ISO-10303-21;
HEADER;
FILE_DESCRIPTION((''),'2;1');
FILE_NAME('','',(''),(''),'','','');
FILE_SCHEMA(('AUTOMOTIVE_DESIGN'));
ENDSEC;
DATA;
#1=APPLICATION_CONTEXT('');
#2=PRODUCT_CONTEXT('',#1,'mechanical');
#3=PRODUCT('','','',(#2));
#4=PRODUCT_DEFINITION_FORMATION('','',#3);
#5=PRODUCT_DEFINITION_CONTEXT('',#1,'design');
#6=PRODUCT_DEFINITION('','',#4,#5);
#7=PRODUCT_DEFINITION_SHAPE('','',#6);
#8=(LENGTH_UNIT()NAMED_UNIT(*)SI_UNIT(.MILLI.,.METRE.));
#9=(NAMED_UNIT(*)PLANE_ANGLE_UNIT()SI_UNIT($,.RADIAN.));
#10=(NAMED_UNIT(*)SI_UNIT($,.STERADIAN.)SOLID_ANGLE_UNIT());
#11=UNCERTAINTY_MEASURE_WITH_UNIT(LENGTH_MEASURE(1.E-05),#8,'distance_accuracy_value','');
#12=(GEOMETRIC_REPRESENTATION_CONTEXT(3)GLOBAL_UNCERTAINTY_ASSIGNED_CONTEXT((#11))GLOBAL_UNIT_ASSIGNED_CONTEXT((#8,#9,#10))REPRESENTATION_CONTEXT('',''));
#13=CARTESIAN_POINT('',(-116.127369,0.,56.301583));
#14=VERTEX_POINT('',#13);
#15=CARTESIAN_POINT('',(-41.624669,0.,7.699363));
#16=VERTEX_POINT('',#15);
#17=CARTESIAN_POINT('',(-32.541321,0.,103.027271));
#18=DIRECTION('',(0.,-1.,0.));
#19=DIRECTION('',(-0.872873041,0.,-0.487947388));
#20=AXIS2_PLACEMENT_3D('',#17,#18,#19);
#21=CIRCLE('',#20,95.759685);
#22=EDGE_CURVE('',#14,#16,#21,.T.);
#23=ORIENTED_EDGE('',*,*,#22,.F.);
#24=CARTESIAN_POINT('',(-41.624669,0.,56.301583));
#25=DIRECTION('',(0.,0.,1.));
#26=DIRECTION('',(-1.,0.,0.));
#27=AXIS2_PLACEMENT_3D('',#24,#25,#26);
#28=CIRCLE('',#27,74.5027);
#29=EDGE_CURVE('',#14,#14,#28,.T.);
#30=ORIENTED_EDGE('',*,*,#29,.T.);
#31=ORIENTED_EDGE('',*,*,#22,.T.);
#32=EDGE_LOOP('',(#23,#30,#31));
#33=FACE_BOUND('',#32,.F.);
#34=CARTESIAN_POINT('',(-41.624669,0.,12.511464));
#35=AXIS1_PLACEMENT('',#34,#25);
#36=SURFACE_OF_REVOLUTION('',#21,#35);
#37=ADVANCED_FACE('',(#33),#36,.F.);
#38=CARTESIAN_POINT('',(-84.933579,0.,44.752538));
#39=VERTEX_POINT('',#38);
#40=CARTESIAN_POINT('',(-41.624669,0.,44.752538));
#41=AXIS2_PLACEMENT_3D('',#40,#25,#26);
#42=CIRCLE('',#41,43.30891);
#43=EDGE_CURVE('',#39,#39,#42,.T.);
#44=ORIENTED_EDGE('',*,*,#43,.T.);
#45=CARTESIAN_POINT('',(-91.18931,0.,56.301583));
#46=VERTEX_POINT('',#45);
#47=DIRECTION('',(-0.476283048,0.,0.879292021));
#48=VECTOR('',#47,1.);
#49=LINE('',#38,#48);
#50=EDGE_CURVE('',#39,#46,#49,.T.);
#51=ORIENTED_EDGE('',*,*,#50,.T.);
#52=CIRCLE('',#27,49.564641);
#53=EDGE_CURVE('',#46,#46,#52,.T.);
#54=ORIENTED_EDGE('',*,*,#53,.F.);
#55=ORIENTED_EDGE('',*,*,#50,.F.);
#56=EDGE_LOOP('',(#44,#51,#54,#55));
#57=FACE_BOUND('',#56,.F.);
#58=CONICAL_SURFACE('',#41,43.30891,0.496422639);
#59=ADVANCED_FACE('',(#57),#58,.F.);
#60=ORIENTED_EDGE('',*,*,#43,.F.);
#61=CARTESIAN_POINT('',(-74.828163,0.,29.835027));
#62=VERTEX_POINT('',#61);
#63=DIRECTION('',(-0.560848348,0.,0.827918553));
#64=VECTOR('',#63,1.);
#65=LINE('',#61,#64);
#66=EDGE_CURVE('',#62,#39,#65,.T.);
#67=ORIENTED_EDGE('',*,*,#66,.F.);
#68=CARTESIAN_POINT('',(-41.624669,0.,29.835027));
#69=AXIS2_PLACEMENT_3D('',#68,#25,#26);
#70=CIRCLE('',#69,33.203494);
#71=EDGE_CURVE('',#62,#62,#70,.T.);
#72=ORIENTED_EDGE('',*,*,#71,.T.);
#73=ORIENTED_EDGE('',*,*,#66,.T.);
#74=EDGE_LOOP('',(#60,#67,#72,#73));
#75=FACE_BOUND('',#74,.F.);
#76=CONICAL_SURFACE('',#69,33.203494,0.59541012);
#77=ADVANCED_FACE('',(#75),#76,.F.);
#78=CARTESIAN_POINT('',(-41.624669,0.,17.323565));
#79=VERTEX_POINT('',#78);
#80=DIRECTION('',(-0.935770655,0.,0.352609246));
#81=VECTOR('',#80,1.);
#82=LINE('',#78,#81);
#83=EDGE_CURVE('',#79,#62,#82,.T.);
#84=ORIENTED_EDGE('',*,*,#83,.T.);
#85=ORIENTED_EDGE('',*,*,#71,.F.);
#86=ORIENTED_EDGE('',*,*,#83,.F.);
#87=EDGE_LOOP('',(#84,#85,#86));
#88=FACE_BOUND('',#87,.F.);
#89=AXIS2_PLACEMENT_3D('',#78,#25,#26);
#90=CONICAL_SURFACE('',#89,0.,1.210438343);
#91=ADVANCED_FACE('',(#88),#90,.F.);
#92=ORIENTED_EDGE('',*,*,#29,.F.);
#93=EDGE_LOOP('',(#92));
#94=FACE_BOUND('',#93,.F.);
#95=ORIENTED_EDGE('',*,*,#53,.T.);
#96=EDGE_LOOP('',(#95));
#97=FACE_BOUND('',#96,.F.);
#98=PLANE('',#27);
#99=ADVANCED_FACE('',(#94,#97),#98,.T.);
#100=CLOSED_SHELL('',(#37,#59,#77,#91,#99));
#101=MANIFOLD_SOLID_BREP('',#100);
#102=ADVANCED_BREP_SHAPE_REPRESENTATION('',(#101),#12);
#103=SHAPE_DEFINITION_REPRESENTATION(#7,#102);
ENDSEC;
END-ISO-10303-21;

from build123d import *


with BuildPart() as f1:
    # F0 (on Front) → F1 (revolve)
    with BuildSketch(Plane.XZ):
        with BuildLine():
            Line((-91.18931, 56.301583), (-116.127369, 56.301583))
            ThreePointArc((-116.127369, 56.301583), (-84.86195, 22.824596), (-41.624669, 7.699363))
            Line((-41.624669, 7.699363), (-41.624669, 17.323565))
            Line((-41.624669, 17.323565), (-74.828163, 29.835027))
            Line((-74.828163, 29.835027), (-84.933579, 44.752538))
            Line((-84.933579, 44.752538), (-91.18931, 56.301583))
        make_face()
    revolve(axis=Axis((-41.624669, 0, 12.511464), (0, 0, 1)))


solid = f1.part
